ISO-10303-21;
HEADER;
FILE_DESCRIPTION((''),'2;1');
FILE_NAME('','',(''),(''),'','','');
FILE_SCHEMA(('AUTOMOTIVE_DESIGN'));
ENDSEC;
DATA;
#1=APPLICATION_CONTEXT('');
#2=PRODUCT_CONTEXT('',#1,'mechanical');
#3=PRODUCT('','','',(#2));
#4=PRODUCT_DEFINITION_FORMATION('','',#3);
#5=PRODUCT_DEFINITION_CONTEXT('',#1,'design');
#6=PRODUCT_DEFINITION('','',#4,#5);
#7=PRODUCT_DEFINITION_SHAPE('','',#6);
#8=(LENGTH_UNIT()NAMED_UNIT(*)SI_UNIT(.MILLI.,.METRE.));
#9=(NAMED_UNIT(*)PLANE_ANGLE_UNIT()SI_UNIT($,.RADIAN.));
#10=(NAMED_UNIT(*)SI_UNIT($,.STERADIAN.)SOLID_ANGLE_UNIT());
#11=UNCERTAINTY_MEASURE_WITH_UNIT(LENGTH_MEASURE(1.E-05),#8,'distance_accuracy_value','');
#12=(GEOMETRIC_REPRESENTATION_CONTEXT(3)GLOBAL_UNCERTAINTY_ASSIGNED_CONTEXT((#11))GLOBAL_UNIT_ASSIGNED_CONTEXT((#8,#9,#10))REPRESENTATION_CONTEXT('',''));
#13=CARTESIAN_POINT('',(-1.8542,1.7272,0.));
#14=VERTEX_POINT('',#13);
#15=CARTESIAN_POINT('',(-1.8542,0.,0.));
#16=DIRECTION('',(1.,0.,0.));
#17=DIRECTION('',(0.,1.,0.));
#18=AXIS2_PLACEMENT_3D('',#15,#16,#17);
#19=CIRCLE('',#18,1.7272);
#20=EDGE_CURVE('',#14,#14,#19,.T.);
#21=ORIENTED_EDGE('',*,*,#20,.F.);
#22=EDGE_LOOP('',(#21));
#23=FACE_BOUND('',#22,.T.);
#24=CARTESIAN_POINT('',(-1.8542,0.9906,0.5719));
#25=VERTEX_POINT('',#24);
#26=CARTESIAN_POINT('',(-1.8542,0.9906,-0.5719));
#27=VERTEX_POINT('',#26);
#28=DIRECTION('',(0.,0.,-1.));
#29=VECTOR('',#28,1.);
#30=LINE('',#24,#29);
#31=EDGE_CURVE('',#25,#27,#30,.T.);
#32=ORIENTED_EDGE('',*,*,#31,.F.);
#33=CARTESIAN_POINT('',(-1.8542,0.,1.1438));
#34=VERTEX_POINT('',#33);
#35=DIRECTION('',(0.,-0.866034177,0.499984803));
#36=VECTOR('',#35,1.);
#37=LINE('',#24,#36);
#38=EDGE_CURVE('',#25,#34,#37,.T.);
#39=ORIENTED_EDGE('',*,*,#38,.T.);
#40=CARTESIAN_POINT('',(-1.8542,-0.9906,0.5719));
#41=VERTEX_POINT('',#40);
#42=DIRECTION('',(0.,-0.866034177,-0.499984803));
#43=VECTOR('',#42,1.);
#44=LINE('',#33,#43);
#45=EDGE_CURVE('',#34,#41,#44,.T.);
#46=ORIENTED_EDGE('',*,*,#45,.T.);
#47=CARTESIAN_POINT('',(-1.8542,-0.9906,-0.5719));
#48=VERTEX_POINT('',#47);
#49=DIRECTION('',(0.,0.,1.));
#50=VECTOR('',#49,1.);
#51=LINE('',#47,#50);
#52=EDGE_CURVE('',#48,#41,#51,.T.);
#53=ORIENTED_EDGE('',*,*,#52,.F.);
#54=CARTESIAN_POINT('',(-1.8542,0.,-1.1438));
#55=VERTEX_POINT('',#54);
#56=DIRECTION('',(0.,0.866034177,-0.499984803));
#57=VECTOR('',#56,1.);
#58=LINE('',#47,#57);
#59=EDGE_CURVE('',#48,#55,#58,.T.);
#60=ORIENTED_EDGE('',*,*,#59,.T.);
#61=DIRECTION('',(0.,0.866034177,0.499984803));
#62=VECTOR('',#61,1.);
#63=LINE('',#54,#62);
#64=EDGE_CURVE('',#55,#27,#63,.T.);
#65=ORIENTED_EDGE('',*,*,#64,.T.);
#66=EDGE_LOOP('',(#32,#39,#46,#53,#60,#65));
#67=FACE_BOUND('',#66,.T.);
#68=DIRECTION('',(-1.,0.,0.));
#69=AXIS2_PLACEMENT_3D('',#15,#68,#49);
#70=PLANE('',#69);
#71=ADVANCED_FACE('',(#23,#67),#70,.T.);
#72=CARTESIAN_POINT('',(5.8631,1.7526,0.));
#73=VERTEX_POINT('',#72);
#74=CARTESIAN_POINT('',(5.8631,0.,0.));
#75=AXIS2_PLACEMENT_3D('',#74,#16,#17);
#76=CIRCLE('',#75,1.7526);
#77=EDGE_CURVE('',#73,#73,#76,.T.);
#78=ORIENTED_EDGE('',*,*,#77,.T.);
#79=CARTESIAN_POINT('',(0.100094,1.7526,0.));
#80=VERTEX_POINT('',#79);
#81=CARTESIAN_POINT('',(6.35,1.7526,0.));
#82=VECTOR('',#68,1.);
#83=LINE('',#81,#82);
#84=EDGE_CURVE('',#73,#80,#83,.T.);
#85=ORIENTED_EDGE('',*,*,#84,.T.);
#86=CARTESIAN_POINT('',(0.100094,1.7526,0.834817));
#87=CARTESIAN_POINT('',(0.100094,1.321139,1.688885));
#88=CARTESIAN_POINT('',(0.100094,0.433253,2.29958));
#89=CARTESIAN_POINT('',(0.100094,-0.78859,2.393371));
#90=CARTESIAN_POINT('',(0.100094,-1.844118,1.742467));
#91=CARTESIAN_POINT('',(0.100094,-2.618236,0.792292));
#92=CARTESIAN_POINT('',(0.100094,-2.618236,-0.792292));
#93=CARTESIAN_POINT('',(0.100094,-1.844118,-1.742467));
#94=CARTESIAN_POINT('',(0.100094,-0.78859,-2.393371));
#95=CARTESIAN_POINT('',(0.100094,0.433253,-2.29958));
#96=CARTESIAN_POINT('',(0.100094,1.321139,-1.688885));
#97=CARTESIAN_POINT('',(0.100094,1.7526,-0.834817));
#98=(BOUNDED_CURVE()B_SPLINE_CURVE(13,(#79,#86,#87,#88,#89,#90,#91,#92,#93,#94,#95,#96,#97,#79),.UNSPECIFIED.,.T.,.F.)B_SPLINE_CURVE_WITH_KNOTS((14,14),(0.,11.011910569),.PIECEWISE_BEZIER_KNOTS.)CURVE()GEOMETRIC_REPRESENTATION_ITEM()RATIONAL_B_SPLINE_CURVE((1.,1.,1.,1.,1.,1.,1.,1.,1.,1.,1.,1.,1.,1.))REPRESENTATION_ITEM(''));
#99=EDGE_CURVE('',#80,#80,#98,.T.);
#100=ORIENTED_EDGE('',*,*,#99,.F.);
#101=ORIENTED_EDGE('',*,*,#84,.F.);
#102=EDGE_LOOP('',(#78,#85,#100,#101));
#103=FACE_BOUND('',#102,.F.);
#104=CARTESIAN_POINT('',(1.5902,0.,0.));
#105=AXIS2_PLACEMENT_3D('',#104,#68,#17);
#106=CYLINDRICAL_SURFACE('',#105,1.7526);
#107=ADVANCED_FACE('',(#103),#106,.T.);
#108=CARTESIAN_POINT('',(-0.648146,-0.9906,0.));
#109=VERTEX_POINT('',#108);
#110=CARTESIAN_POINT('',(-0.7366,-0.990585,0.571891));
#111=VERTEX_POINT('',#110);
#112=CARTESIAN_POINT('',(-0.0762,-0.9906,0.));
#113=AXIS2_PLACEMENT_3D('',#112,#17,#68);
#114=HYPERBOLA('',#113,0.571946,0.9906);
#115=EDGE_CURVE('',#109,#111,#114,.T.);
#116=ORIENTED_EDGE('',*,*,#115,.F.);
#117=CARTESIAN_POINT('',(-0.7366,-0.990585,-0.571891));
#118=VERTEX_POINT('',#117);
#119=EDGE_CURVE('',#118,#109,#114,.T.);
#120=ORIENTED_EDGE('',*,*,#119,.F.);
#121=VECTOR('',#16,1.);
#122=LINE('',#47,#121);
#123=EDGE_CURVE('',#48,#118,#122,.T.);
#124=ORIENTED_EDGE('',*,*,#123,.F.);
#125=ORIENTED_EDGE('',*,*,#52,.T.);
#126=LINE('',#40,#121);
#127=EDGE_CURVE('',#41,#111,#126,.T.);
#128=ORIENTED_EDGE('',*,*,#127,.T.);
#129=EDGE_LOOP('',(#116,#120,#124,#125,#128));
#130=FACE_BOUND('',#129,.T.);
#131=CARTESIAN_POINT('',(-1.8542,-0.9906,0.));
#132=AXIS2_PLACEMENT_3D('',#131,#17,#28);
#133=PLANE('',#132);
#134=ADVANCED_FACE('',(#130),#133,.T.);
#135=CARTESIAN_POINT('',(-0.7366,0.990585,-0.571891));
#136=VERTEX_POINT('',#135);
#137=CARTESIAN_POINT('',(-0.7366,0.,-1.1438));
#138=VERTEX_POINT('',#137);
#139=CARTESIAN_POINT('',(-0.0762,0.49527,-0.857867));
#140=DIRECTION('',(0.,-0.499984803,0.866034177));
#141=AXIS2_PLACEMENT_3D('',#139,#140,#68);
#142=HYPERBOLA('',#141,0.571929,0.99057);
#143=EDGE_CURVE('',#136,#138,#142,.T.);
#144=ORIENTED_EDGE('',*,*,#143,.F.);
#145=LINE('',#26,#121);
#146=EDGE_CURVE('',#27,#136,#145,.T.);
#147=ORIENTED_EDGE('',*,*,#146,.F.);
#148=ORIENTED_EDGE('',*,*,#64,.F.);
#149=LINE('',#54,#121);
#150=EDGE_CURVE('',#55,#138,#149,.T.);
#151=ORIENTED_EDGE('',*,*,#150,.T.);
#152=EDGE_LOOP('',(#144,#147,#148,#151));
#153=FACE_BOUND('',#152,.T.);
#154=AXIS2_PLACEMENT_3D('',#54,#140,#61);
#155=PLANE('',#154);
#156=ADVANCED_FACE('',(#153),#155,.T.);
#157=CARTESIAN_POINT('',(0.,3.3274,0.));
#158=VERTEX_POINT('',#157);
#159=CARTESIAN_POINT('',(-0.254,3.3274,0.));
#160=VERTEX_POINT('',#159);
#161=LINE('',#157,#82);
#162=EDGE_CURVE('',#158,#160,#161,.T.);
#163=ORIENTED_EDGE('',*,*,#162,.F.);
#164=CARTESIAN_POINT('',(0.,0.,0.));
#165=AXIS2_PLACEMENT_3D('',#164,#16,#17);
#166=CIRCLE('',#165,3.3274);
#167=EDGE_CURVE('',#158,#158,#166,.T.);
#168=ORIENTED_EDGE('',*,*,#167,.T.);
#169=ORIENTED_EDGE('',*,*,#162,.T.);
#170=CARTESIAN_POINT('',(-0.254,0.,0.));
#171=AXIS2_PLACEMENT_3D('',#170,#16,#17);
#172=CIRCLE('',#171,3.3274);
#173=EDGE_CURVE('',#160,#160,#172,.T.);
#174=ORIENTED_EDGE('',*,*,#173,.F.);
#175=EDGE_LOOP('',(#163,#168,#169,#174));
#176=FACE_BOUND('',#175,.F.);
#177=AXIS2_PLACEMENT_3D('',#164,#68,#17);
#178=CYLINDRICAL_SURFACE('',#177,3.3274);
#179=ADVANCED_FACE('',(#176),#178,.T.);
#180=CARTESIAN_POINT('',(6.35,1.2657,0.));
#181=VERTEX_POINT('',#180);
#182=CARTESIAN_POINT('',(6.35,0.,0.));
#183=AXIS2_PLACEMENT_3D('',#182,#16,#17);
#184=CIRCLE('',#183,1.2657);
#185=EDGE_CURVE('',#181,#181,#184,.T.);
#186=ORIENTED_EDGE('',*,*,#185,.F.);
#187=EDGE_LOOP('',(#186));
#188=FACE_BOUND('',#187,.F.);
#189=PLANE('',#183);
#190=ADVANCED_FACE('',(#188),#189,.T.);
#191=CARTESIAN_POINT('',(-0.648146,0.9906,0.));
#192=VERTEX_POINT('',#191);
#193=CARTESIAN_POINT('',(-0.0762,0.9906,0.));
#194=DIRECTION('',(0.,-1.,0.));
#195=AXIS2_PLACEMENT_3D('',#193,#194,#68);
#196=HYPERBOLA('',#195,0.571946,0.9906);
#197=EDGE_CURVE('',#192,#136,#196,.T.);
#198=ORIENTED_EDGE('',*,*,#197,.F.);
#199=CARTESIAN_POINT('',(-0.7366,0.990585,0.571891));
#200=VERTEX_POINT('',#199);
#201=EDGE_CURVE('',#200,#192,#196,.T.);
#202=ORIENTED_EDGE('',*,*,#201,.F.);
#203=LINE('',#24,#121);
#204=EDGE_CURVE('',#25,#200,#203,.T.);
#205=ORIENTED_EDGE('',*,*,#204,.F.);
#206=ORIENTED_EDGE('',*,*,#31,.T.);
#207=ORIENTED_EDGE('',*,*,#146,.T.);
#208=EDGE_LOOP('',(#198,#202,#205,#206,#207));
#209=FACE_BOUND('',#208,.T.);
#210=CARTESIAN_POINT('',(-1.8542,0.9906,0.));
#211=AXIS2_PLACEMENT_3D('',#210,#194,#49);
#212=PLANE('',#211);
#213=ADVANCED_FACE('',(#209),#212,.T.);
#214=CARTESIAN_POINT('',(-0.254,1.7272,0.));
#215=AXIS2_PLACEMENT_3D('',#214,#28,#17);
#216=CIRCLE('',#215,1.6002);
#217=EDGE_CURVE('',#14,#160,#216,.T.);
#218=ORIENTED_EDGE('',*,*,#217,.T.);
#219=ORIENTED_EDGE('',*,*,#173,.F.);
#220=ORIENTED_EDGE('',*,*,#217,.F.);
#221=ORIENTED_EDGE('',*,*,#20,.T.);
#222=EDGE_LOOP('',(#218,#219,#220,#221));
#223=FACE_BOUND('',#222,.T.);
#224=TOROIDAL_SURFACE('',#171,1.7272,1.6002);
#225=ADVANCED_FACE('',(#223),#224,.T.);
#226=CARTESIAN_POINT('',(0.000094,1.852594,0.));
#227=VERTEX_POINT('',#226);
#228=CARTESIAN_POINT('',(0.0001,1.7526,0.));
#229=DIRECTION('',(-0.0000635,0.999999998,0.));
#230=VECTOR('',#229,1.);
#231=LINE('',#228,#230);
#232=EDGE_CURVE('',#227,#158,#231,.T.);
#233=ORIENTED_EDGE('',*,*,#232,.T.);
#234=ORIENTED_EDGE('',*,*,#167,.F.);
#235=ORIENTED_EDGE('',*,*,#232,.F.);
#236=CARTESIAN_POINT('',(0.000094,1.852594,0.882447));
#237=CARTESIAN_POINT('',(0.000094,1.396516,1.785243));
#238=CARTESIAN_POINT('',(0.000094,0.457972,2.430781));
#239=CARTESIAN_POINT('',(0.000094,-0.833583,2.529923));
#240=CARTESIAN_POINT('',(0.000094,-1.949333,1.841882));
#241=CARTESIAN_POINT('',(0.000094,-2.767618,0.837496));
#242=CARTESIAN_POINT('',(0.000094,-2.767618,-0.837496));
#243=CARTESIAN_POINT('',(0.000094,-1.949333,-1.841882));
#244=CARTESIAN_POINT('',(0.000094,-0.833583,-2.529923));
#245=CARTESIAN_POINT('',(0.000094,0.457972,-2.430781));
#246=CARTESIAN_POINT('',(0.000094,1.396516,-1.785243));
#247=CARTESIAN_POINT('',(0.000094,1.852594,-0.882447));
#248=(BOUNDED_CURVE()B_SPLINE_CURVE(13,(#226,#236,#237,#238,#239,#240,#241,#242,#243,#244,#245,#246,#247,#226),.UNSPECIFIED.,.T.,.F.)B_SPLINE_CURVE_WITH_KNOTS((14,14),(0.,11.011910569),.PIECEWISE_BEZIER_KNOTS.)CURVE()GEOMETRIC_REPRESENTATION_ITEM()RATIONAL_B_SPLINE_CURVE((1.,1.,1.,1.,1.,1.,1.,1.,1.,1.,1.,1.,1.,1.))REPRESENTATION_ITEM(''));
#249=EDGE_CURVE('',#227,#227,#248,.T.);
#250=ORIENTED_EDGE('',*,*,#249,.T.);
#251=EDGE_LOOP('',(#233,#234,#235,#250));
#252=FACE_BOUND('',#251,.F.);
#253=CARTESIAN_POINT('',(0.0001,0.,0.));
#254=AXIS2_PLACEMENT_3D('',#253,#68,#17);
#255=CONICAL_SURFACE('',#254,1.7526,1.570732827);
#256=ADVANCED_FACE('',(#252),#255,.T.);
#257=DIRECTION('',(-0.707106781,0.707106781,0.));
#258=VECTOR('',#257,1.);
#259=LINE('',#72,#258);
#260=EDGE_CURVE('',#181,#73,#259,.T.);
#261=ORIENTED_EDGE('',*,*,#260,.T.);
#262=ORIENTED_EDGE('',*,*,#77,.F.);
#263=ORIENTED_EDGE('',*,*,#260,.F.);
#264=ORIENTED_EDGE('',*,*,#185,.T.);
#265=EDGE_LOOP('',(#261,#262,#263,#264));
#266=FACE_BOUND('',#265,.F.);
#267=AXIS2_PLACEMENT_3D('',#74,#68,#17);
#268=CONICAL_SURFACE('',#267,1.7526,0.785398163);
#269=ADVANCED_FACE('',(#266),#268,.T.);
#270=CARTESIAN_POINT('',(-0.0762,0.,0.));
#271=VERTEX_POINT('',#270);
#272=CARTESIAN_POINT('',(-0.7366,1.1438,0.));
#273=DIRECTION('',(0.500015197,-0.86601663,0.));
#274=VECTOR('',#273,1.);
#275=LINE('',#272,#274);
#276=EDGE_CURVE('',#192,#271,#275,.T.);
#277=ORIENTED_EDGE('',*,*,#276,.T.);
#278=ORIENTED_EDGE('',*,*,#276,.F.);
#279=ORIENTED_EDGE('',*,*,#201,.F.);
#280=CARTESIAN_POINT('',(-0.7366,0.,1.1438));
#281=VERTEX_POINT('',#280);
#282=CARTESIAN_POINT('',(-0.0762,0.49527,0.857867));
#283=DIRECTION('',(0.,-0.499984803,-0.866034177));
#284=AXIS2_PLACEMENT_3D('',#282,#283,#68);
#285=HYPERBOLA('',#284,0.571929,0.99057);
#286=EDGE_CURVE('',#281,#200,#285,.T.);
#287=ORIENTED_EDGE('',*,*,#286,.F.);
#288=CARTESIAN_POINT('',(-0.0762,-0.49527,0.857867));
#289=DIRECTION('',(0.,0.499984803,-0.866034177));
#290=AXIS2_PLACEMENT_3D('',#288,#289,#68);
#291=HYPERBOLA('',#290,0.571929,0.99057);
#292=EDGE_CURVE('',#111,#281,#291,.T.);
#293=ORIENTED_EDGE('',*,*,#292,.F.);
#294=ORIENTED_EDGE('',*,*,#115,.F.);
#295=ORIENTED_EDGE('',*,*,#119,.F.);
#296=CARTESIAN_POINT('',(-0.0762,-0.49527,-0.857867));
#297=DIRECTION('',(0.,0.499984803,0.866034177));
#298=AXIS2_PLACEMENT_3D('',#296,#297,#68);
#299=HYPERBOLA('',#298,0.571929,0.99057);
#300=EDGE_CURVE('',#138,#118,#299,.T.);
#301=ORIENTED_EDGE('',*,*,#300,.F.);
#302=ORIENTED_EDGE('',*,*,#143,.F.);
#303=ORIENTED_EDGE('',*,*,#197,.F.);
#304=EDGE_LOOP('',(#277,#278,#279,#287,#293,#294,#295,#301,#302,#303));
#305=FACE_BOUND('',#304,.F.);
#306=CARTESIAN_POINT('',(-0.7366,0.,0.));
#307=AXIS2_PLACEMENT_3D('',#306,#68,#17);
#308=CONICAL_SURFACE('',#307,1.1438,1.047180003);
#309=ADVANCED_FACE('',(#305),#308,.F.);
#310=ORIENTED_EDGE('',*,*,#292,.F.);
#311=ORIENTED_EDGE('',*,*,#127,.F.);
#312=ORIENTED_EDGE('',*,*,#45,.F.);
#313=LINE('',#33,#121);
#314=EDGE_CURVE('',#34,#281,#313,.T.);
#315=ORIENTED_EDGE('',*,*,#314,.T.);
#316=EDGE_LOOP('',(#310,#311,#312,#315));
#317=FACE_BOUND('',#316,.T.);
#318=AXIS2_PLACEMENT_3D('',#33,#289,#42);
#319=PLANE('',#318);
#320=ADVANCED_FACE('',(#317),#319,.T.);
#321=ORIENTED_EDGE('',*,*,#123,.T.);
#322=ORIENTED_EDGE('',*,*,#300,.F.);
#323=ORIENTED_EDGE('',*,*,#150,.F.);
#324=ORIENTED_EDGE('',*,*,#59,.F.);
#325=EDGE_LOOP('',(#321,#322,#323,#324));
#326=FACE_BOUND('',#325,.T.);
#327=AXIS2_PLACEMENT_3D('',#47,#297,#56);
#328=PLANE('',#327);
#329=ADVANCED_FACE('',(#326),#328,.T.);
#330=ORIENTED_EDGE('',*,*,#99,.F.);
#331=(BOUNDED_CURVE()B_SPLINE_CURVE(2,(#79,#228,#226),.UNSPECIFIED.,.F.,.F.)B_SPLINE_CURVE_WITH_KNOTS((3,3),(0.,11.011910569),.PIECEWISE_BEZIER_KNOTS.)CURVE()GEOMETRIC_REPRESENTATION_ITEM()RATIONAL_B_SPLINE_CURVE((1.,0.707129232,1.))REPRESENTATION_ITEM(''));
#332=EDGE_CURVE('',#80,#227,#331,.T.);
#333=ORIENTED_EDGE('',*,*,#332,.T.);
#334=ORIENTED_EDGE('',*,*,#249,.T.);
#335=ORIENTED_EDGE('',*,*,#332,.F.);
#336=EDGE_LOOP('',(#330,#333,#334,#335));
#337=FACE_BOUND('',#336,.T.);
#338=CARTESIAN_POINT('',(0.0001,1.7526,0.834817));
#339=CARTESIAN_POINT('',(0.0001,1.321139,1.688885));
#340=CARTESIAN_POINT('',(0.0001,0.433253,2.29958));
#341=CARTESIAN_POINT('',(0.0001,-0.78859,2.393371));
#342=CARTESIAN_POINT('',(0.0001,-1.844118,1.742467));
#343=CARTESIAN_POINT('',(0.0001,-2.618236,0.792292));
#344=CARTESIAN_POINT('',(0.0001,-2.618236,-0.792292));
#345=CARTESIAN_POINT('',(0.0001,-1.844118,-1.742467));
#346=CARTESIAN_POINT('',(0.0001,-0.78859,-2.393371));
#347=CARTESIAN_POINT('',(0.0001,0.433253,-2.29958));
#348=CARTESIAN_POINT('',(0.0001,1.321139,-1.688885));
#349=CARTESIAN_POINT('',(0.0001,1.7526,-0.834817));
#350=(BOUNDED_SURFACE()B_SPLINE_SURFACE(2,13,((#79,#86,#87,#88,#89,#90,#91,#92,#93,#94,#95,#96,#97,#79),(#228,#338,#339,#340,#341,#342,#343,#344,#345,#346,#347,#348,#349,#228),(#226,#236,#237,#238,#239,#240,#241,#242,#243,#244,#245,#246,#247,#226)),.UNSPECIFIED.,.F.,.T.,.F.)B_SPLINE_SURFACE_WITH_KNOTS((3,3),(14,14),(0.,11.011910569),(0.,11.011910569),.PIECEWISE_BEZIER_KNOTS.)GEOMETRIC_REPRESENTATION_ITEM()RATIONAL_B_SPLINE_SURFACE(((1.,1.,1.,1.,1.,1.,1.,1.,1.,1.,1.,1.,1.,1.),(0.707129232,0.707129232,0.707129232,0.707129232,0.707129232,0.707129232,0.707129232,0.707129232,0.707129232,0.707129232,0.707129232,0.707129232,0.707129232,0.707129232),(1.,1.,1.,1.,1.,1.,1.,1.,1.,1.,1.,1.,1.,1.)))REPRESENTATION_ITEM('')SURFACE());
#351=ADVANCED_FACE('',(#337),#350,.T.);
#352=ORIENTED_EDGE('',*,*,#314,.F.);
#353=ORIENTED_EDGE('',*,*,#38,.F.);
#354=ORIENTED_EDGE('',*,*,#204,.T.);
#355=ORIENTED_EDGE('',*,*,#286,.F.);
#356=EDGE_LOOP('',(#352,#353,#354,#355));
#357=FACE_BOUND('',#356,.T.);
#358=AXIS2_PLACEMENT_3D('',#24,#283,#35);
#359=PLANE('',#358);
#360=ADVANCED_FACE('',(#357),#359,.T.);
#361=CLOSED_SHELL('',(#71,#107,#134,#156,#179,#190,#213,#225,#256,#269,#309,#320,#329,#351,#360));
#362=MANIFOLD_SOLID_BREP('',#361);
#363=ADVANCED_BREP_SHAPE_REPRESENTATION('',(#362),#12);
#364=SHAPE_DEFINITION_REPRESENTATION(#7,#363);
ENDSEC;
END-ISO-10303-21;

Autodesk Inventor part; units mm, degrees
ref_plane "YZ Plane" through (0, 0, 0) normal (1, 0, 0) x (0, 1, 0)
ref_plane "XZ Plane" through (0, 0, 0) normal (0, 1, 0) x (-1, 0, 0)
sketch "Sketch1" plane through (0, 0, 0) normal (0, 0, 1) x (1, 0, 0)
  line L0 (-0.0762, 0) -> (6.35, 0)
  line L1 (6.35, 0) -> (6.35, 1.7526)
  line L2 (6.35, 1.7526) -> (1.5902, 1.7526)
  line L3 (1.5902, 1.7526) -> (0.0001, 1.7526)
  line L4 (0.0001, 1.7526) -> (0, 1.7526)
  line L5 (0, 1.7526) -> (0, 3.3274)
  line L6 (0, 3.3274) -> (-1.8542, 3.3274)
  line L7 (-1.8542, 3.3274) -> (-1.8542, 1.1438)
  line L8 (-1.8542, 1.1438) -> (-0.7366, 1.1438)
  line L9 (-0.7366, 1.1438) -> (-0.0762, 0)
  line L10 (-3.495, 0) -> (7.9908, 0) projected
  line L11 (0, -0.6655) -> (0, 3.9929) projected
  line L12 (1.5902, 1.7526) -> (0, 1.7526) construction
  dimension "d1" = 4.7598
  dimension "d2" = 1.5901
  dimension "d3" = 1.8542
  dimension "d4" = 1.1176
  dimension "d5" = 60
  dimension "d6" = 3.5052
  dimension "d7" = 3.5052
  dimension "d8" = 2.2877
  dimension "d9" = 6.6548
  dimension "d26" = 6.35
revolve "Body" add sketch "Sketch1" angle 360 about axis through (-0.0762, 0, 0) along (1, 0, 0)
sketch "Sketch2" plane through (-1.8542, 0, 0) normal (-1, 0, 0) x (0, 0, 1)
  circle A0 centre (0, 0) radius 1.1438 projected
  line L0 (0, -4.6584) -> (0, 4.6584) projected
  line L1 (-4.6584, 0) -> (4.6584, 0) projected
  line L2 (1.1438, 0) -> (0.5719, -0.9906)
  line L3 (0.5719, -0.9906) -> (-0.5719, -0.9906)
  line L4 (-0.5719, -0.9906) -> (-1.1438, 0)
  line L5 (-1.1438, 0) -> (-0.5719, 0.9906)
  line L6 (-0.5719, 0.9906) -> (0.5719, 0.9906)
  line L7 (0.5719, 0.9906) -> (1.1438, 0)
  point P0 (0, 0)
extrude "Slot" add sketch "Sketch2" against normal up to next contours L7 A0 | A0 L2 | L6 L0 A0 | A0 L0 L3 | L0 L6 A0 | A0 L3 L0 | L4 A0 | A0 L5
fillet "Fillet1" radius 1.6002 1 edges at (-1.8542, -3.3274, 0)
thread "Thread" size "6-32 UNC" class "2A" standard "ANSI Unified Screw Threads" length 4.7598
chamfer "Chamfer1" distance 0.4869 distance2 0.4869 1 edges at (6.35, -1.7526, 0) measured on face at (6.35, -0.5672, -0.1398)
ref_plane "Work Plane1" through (29, 0, 0) normal (0, -1, 0) x (1, 0, 0)
fillet "Fillet2" radius 0.1 1 edges at (0.0001, -1.7526, 0)
equation "\"d1\" = GEL"
equation "\"d3\" = KOH"
equation "\"d4\" = INTI"
equation "\"d6\" = GD"
equation "\"d7\" = BDM"
equation "\"d8\" = 1.1547 * SW"
equation "\"d9\" = KOD"
equation "\"d26\" = NLG"
equation "\"d30\" = R"
equation "\"d17\" = RR"
equation "\"d13\" = GEL"
equation "\"d15\" = -0.5 * SPD + 0.5 * GD"
equation "\"d16\" = GUL"
equation "\"GD\" = NND"
equation "\"NLG\" = 6.35"
equation "\"GEL\" = 4.75976"
equation "\"KOD\" = 6.6548"
equation "\"KOH\" = 1.8542"
equation "\"INTI\" = 1.1176"
equation "\"GAL\" = 1.59004"
equation "\"GUL\" = 0.48692"
equation "\"BDM\" = NND"
equation "\"SW\" = 1.9812"
equation "\"RR\" = 1.6002"
equation "\"SPD\" = 2.53136"
equation "\"R\" = 0.1"
equation "\"TOA\" = 30deg"
equation "\"GD1\" = SPD"
equation "\"THREADDIA\" = 3.5052"
equation "\"KOH1\" = 0.381"
equation "\"NND\" = 3.5052"
equation "\"E0\" = 2.28829"
properties part number "ANSI B18.3 - 6 - 32 x 1/4" material "Steel, Mild"
